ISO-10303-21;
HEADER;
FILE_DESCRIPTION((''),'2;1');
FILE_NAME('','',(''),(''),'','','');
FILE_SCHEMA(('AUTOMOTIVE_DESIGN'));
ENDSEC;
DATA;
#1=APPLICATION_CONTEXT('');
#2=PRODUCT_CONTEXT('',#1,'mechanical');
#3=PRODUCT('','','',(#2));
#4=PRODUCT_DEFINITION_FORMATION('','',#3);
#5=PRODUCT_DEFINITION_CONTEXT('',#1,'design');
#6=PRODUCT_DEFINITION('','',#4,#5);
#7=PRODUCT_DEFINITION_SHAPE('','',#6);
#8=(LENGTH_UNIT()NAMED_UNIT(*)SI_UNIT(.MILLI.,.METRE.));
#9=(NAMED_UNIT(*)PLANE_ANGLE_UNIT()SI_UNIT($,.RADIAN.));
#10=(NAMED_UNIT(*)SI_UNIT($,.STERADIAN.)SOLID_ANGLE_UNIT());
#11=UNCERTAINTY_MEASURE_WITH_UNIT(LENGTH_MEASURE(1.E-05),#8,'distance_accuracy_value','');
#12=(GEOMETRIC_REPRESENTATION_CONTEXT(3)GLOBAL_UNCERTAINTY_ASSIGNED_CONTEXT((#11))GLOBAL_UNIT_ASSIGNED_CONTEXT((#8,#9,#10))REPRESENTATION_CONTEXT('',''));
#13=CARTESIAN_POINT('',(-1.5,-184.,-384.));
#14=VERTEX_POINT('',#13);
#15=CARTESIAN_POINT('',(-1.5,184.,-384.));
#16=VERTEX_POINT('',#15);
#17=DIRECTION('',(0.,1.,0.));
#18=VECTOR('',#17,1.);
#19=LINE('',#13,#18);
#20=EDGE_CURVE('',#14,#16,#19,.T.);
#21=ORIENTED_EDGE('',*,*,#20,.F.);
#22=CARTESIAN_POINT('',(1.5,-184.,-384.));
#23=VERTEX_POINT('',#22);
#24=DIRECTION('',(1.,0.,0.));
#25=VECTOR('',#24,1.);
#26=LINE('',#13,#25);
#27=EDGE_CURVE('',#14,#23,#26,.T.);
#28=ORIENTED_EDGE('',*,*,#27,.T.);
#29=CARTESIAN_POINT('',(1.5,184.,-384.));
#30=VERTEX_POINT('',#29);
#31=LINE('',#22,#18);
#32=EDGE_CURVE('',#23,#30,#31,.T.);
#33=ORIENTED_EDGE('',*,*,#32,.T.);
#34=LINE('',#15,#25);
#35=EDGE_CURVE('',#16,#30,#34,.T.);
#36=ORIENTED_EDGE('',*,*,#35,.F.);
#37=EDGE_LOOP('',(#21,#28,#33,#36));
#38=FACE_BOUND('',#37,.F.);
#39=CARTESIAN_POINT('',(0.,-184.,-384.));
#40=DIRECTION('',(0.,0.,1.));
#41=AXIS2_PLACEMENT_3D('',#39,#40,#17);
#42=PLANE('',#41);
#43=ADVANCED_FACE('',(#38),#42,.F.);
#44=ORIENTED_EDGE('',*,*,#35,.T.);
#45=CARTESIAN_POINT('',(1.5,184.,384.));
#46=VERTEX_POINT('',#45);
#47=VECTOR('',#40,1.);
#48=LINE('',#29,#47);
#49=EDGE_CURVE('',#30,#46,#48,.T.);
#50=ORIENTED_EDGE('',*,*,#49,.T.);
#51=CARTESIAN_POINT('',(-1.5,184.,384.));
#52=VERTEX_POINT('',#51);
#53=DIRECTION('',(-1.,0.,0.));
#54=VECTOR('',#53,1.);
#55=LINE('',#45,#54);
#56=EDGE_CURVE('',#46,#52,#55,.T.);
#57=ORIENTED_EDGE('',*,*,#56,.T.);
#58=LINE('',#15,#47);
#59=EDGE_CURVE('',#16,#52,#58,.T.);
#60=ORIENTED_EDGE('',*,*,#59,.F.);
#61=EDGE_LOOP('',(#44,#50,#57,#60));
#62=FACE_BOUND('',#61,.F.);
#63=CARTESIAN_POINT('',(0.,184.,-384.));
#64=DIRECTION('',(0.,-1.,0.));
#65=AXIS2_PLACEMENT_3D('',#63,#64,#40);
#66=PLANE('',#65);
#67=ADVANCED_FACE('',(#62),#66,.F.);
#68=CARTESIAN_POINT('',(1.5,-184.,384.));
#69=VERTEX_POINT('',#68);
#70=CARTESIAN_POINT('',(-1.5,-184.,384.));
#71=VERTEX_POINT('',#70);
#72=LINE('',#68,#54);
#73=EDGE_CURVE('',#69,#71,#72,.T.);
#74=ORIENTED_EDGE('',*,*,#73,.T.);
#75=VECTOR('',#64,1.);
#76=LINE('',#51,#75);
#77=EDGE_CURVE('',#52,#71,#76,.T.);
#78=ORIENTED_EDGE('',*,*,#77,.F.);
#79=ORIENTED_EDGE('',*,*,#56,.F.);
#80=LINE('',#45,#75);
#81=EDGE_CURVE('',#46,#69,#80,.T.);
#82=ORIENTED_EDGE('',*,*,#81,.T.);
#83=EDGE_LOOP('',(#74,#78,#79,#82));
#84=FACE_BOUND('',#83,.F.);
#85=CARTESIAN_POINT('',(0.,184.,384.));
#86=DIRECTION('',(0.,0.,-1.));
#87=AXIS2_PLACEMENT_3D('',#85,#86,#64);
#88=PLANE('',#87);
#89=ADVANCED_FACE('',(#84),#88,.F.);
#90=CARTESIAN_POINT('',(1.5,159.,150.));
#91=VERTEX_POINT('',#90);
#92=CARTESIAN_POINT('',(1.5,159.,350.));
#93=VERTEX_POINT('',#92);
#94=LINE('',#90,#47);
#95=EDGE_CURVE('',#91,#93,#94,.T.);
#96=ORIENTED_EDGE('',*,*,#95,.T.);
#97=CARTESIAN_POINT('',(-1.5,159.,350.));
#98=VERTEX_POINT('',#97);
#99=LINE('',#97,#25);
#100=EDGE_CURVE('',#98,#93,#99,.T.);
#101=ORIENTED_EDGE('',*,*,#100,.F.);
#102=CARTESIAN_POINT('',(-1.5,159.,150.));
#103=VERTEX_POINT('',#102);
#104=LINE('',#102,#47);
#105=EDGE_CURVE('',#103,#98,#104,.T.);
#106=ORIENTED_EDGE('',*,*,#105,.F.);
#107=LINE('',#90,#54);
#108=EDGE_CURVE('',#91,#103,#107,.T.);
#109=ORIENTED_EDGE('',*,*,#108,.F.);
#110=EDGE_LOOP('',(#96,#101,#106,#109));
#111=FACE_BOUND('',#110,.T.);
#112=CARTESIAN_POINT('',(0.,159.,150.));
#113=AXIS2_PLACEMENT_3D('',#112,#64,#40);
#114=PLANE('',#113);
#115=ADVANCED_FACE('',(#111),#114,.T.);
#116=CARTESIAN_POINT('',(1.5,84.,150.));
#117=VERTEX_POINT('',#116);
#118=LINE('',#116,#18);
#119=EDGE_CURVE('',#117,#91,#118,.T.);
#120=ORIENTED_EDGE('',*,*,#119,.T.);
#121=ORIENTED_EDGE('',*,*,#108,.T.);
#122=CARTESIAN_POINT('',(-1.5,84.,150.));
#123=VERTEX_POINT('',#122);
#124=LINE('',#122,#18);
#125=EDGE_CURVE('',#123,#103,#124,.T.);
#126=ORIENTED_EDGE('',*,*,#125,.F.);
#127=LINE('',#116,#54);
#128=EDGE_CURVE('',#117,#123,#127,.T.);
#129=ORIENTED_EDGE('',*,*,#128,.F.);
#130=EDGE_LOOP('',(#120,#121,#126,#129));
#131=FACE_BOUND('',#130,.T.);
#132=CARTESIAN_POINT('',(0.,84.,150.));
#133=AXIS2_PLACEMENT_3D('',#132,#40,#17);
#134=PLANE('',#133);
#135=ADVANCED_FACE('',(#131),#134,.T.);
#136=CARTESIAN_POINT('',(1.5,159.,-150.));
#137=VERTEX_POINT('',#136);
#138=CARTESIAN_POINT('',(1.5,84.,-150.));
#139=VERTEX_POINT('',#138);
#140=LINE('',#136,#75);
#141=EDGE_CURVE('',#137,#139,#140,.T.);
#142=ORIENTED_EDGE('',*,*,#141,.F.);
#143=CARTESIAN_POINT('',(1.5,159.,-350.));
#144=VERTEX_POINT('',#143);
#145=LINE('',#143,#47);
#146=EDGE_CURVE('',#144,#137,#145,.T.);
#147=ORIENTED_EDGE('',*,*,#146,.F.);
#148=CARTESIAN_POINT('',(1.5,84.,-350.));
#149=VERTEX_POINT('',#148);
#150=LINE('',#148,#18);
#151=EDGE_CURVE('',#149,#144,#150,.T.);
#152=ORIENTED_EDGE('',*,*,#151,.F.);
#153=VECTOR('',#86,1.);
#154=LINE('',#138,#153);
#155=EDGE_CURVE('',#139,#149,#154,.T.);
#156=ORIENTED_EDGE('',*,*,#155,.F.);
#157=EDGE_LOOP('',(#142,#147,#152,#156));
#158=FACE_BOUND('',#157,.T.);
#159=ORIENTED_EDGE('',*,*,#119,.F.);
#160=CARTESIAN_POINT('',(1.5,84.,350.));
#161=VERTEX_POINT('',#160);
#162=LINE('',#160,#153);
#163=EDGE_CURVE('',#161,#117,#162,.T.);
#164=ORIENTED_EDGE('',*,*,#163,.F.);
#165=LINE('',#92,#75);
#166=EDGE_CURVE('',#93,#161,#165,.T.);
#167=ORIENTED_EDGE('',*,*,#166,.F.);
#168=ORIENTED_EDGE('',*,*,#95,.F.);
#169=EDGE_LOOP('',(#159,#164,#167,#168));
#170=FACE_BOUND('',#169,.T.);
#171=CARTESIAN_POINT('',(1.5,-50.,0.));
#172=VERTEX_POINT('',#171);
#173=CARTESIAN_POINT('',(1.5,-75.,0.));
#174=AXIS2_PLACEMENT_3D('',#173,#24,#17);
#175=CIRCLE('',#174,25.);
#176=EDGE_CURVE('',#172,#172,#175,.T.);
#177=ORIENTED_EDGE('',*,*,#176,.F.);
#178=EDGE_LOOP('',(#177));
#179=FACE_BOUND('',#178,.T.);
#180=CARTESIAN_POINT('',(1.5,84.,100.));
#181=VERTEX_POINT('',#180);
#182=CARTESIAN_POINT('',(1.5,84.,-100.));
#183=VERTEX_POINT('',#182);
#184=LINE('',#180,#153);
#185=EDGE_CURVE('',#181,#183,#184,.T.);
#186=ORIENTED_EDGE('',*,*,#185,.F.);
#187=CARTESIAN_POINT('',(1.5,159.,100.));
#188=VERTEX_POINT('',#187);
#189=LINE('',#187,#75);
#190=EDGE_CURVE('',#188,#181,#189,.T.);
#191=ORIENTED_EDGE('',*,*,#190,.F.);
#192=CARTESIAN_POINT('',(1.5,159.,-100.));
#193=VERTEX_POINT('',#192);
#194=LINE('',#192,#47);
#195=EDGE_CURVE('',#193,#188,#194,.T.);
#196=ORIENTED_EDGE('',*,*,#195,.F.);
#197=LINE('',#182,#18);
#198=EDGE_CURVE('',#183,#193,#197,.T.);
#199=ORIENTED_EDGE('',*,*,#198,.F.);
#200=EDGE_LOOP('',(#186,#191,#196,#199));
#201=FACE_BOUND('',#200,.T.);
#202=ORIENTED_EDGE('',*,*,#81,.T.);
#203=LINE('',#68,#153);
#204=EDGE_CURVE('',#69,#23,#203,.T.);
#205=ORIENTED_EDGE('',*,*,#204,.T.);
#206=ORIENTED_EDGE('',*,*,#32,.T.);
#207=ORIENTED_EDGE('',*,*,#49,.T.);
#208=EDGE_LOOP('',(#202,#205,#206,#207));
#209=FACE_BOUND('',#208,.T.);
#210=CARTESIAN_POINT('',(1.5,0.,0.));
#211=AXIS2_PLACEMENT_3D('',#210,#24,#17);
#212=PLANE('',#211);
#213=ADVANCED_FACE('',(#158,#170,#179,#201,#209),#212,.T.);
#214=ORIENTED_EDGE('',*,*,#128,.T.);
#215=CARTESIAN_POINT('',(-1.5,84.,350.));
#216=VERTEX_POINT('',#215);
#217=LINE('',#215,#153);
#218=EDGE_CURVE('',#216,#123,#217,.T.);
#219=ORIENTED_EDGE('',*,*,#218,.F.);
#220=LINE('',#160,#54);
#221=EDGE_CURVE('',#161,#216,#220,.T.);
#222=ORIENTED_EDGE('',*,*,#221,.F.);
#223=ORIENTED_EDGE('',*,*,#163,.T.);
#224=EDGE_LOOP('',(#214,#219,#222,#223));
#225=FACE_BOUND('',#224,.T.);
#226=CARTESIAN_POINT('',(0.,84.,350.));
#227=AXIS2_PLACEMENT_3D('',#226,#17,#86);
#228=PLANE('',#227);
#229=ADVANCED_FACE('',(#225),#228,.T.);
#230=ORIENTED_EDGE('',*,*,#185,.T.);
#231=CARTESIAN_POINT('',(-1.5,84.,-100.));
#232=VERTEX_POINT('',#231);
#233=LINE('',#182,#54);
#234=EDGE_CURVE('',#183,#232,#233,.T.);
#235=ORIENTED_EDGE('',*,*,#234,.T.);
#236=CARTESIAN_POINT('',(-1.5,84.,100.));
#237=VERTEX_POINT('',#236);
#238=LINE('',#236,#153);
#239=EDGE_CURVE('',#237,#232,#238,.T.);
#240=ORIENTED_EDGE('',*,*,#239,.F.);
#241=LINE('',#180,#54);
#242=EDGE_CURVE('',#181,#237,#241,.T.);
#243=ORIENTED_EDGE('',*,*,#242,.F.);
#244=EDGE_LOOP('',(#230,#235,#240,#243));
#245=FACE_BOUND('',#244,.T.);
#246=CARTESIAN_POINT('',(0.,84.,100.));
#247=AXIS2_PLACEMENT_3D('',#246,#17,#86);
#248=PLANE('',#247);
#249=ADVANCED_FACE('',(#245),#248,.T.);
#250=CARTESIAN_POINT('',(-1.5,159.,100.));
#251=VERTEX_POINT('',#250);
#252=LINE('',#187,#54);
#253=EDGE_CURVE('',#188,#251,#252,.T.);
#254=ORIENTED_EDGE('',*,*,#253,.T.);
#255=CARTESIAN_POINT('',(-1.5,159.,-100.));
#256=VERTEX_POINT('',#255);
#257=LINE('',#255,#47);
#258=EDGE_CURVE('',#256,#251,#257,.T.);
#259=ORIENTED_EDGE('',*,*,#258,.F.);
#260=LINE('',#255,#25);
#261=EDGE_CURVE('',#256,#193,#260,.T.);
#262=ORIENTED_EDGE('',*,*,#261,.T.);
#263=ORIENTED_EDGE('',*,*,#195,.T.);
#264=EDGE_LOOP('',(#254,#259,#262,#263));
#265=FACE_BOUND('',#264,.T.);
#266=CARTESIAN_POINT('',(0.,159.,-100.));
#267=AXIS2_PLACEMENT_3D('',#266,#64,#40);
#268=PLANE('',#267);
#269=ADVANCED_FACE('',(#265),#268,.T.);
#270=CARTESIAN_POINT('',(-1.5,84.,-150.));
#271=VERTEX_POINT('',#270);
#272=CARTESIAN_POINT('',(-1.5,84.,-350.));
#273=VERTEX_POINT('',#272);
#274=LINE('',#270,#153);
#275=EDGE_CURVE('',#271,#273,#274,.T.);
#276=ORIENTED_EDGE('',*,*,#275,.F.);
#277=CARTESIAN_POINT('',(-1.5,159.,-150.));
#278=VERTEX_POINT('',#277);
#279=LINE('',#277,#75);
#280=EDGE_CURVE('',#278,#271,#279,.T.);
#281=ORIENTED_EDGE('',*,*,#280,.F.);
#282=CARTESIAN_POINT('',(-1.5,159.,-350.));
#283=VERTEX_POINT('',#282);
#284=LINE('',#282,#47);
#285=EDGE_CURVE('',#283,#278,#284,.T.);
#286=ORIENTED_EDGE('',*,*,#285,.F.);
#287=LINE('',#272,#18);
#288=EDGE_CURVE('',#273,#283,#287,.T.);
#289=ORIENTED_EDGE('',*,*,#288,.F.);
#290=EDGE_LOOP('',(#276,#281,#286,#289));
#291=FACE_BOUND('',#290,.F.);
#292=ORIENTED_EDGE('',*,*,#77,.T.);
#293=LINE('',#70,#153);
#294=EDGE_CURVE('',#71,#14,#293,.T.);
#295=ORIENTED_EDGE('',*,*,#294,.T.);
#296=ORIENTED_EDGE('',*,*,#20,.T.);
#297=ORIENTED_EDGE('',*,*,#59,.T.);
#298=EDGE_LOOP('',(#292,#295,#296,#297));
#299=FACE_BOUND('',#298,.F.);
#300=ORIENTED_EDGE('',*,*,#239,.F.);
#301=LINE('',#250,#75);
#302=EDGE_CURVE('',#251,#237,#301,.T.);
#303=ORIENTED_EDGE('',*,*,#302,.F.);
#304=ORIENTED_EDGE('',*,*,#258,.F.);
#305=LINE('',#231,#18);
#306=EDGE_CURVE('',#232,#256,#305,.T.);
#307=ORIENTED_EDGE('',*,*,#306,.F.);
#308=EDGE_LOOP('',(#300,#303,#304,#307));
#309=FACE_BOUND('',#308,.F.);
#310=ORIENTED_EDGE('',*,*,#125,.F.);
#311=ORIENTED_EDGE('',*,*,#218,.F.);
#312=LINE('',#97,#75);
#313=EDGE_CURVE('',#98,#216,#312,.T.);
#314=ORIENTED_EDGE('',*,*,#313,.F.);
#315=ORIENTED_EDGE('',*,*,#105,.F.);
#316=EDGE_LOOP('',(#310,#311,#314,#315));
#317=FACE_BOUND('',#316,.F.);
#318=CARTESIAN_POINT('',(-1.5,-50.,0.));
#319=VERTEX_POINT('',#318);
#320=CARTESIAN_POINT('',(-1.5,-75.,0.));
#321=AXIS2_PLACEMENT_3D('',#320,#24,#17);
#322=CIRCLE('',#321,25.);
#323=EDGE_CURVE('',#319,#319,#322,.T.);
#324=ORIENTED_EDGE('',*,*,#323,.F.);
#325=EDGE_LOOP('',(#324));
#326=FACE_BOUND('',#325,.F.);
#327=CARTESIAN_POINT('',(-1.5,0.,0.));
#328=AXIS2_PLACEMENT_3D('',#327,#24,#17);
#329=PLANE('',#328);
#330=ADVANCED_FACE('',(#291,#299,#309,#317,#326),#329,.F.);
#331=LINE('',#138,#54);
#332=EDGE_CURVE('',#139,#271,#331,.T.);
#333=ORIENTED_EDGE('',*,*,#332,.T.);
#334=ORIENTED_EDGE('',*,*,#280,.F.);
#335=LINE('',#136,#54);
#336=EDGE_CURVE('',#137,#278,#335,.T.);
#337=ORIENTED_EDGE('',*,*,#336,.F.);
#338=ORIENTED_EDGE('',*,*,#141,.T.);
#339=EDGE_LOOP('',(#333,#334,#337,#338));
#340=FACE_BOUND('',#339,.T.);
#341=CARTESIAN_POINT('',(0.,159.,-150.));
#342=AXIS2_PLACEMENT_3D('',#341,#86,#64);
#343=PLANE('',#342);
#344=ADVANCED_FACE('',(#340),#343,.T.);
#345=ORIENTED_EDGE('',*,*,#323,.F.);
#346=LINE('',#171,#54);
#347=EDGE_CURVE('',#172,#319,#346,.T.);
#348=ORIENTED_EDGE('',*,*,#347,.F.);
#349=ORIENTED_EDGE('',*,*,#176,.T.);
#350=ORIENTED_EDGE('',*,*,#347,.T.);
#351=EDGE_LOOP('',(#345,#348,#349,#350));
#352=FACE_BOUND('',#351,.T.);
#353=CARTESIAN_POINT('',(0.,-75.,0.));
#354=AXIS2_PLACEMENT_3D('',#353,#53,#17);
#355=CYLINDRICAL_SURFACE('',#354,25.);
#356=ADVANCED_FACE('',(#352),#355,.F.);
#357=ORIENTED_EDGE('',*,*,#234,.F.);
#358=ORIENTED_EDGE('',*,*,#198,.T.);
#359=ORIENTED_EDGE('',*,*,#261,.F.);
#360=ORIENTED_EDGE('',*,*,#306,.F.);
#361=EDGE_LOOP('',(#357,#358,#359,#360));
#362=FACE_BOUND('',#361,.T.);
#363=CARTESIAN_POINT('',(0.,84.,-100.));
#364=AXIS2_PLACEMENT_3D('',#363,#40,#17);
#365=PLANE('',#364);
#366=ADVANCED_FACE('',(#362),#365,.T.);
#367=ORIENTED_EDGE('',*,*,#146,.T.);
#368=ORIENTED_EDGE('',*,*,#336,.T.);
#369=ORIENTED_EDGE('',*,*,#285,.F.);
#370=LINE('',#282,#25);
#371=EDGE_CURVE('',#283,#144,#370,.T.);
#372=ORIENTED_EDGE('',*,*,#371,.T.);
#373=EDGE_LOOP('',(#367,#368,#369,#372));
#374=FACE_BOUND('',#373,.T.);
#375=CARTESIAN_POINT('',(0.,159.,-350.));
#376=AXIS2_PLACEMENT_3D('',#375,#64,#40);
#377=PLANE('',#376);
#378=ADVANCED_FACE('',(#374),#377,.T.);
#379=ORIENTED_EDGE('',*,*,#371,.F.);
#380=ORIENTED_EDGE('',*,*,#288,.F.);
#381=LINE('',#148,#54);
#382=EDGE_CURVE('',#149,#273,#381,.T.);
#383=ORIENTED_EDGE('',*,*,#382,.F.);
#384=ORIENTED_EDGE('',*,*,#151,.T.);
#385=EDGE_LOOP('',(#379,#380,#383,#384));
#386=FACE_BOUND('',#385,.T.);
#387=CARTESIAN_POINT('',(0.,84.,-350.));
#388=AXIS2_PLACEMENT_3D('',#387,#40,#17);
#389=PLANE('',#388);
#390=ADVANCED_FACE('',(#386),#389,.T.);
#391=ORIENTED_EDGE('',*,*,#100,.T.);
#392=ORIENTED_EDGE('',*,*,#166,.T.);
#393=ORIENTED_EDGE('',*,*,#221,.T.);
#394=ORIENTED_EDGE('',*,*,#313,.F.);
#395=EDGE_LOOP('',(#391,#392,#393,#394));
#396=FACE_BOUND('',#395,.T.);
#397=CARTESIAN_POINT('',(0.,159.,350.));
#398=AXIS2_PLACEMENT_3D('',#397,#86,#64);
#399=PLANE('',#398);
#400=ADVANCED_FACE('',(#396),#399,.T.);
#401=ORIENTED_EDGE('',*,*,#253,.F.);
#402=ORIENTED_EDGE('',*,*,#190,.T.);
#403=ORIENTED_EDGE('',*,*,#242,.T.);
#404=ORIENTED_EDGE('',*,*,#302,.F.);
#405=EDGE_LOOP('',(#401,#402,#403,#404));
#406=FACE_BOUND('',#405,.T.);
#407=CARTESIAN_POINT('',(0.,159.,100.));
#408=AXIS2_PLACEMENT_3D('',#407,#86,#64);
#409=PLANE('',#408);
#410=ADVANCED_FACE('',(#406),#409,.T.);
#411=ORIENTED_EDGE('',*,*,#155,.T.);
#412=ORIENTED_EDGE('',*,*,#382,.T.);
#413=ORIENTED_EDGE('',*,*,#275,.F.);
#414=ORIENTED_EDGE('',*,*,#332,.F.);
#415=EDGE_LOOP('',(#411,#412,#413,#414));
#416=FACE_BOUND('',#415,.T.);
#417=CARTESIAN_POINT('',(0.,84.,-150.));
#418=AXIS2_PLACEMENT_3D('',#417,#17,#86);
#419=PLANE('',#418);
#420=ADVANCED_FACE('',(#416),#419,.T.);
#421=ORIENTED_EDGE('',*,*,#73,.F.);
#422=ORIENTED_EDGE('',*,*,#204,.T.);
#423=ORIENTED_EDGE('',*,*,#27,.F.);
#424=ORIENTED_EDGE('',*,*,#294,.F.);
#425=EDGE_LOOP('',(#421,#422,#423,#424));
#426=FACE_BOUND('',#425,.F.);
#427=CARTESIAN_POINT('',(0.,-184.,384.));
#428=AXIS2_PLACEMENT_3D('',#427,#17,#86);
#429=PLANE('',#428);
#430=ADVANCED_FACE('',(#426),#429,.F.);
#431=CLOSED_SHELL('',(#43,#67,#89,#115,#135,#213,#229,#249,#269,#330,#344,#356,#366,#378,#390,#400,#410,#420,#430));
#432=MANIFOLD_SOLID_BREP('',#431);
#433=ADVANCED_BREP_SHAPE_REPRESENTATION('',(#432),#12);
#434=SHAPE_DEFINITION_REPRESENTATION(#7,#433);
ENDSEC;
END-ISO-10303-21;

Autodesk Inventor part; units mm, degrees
ref_plane "YZ Plane" through (0, 0, 0) normal (1, 0, 0) x (0, 1, 0)
ref_plane "XZ Plane" through (0, 0, 0) normal (0, 1, 0) x (-1, 0, 0)
ref_plane "XY Plane" through (0, 0, 0) normal (0, 0, 1) x (1, 0, 0)
sketch "Sketch1" plane through (0, 0, 0) normal (1, 0, 0) x (0, 1, 0)
  line L0 (-184, -384) -> (184, -384)
  line L1 (184, -384) -> (184, 384)
  line L2 (184, 384) -> (-184, 384)
  line L3 (-184, 384) -> (-184, -384)
  line L4 (-184, -384) -> (184, 384) construction
  line L5 (184, -384) -> (-184, 384) construction
  line L6 (159, 350) -> (84, 350)
  line L7 (84, 350) -> (84, 150)
  line L8 (84, 150) -> (159, 150)
  line L9 (159, 150) -> (159, 350)
  line L10 (159, -100) -> (159, 100)
  line L11 (159, 100) -> (84, 100)
  line L12 (84, 100) -> (84, -100)
  line L13 (84, -100) -> (159, -100)
  line L14 (159, -350) -> (159, -150)
  line L15 (159, -150) -> (84, -150)
  line L16 (84, -150) -> (84, -350)
  line L17 (84, -350) -> (159, -350)
  circle A0 centre (-75, 0) radius 25
  point P0 (0, 0)
  dimension "d0" = 768
  dimension "d1" = 368
  dimension "d2" = 200
  dimension "d3" = 75
  dimension "d4" = 34
  dimension "d5" = 25
  dimension "d8" = 250
  dimension "d17" = 75
  dimension "d18" = 50
extrude "Extrusion1" add sketch "Sketch1" along normal mid plane 3
properties part number "Posterior" material "Acrylic"
